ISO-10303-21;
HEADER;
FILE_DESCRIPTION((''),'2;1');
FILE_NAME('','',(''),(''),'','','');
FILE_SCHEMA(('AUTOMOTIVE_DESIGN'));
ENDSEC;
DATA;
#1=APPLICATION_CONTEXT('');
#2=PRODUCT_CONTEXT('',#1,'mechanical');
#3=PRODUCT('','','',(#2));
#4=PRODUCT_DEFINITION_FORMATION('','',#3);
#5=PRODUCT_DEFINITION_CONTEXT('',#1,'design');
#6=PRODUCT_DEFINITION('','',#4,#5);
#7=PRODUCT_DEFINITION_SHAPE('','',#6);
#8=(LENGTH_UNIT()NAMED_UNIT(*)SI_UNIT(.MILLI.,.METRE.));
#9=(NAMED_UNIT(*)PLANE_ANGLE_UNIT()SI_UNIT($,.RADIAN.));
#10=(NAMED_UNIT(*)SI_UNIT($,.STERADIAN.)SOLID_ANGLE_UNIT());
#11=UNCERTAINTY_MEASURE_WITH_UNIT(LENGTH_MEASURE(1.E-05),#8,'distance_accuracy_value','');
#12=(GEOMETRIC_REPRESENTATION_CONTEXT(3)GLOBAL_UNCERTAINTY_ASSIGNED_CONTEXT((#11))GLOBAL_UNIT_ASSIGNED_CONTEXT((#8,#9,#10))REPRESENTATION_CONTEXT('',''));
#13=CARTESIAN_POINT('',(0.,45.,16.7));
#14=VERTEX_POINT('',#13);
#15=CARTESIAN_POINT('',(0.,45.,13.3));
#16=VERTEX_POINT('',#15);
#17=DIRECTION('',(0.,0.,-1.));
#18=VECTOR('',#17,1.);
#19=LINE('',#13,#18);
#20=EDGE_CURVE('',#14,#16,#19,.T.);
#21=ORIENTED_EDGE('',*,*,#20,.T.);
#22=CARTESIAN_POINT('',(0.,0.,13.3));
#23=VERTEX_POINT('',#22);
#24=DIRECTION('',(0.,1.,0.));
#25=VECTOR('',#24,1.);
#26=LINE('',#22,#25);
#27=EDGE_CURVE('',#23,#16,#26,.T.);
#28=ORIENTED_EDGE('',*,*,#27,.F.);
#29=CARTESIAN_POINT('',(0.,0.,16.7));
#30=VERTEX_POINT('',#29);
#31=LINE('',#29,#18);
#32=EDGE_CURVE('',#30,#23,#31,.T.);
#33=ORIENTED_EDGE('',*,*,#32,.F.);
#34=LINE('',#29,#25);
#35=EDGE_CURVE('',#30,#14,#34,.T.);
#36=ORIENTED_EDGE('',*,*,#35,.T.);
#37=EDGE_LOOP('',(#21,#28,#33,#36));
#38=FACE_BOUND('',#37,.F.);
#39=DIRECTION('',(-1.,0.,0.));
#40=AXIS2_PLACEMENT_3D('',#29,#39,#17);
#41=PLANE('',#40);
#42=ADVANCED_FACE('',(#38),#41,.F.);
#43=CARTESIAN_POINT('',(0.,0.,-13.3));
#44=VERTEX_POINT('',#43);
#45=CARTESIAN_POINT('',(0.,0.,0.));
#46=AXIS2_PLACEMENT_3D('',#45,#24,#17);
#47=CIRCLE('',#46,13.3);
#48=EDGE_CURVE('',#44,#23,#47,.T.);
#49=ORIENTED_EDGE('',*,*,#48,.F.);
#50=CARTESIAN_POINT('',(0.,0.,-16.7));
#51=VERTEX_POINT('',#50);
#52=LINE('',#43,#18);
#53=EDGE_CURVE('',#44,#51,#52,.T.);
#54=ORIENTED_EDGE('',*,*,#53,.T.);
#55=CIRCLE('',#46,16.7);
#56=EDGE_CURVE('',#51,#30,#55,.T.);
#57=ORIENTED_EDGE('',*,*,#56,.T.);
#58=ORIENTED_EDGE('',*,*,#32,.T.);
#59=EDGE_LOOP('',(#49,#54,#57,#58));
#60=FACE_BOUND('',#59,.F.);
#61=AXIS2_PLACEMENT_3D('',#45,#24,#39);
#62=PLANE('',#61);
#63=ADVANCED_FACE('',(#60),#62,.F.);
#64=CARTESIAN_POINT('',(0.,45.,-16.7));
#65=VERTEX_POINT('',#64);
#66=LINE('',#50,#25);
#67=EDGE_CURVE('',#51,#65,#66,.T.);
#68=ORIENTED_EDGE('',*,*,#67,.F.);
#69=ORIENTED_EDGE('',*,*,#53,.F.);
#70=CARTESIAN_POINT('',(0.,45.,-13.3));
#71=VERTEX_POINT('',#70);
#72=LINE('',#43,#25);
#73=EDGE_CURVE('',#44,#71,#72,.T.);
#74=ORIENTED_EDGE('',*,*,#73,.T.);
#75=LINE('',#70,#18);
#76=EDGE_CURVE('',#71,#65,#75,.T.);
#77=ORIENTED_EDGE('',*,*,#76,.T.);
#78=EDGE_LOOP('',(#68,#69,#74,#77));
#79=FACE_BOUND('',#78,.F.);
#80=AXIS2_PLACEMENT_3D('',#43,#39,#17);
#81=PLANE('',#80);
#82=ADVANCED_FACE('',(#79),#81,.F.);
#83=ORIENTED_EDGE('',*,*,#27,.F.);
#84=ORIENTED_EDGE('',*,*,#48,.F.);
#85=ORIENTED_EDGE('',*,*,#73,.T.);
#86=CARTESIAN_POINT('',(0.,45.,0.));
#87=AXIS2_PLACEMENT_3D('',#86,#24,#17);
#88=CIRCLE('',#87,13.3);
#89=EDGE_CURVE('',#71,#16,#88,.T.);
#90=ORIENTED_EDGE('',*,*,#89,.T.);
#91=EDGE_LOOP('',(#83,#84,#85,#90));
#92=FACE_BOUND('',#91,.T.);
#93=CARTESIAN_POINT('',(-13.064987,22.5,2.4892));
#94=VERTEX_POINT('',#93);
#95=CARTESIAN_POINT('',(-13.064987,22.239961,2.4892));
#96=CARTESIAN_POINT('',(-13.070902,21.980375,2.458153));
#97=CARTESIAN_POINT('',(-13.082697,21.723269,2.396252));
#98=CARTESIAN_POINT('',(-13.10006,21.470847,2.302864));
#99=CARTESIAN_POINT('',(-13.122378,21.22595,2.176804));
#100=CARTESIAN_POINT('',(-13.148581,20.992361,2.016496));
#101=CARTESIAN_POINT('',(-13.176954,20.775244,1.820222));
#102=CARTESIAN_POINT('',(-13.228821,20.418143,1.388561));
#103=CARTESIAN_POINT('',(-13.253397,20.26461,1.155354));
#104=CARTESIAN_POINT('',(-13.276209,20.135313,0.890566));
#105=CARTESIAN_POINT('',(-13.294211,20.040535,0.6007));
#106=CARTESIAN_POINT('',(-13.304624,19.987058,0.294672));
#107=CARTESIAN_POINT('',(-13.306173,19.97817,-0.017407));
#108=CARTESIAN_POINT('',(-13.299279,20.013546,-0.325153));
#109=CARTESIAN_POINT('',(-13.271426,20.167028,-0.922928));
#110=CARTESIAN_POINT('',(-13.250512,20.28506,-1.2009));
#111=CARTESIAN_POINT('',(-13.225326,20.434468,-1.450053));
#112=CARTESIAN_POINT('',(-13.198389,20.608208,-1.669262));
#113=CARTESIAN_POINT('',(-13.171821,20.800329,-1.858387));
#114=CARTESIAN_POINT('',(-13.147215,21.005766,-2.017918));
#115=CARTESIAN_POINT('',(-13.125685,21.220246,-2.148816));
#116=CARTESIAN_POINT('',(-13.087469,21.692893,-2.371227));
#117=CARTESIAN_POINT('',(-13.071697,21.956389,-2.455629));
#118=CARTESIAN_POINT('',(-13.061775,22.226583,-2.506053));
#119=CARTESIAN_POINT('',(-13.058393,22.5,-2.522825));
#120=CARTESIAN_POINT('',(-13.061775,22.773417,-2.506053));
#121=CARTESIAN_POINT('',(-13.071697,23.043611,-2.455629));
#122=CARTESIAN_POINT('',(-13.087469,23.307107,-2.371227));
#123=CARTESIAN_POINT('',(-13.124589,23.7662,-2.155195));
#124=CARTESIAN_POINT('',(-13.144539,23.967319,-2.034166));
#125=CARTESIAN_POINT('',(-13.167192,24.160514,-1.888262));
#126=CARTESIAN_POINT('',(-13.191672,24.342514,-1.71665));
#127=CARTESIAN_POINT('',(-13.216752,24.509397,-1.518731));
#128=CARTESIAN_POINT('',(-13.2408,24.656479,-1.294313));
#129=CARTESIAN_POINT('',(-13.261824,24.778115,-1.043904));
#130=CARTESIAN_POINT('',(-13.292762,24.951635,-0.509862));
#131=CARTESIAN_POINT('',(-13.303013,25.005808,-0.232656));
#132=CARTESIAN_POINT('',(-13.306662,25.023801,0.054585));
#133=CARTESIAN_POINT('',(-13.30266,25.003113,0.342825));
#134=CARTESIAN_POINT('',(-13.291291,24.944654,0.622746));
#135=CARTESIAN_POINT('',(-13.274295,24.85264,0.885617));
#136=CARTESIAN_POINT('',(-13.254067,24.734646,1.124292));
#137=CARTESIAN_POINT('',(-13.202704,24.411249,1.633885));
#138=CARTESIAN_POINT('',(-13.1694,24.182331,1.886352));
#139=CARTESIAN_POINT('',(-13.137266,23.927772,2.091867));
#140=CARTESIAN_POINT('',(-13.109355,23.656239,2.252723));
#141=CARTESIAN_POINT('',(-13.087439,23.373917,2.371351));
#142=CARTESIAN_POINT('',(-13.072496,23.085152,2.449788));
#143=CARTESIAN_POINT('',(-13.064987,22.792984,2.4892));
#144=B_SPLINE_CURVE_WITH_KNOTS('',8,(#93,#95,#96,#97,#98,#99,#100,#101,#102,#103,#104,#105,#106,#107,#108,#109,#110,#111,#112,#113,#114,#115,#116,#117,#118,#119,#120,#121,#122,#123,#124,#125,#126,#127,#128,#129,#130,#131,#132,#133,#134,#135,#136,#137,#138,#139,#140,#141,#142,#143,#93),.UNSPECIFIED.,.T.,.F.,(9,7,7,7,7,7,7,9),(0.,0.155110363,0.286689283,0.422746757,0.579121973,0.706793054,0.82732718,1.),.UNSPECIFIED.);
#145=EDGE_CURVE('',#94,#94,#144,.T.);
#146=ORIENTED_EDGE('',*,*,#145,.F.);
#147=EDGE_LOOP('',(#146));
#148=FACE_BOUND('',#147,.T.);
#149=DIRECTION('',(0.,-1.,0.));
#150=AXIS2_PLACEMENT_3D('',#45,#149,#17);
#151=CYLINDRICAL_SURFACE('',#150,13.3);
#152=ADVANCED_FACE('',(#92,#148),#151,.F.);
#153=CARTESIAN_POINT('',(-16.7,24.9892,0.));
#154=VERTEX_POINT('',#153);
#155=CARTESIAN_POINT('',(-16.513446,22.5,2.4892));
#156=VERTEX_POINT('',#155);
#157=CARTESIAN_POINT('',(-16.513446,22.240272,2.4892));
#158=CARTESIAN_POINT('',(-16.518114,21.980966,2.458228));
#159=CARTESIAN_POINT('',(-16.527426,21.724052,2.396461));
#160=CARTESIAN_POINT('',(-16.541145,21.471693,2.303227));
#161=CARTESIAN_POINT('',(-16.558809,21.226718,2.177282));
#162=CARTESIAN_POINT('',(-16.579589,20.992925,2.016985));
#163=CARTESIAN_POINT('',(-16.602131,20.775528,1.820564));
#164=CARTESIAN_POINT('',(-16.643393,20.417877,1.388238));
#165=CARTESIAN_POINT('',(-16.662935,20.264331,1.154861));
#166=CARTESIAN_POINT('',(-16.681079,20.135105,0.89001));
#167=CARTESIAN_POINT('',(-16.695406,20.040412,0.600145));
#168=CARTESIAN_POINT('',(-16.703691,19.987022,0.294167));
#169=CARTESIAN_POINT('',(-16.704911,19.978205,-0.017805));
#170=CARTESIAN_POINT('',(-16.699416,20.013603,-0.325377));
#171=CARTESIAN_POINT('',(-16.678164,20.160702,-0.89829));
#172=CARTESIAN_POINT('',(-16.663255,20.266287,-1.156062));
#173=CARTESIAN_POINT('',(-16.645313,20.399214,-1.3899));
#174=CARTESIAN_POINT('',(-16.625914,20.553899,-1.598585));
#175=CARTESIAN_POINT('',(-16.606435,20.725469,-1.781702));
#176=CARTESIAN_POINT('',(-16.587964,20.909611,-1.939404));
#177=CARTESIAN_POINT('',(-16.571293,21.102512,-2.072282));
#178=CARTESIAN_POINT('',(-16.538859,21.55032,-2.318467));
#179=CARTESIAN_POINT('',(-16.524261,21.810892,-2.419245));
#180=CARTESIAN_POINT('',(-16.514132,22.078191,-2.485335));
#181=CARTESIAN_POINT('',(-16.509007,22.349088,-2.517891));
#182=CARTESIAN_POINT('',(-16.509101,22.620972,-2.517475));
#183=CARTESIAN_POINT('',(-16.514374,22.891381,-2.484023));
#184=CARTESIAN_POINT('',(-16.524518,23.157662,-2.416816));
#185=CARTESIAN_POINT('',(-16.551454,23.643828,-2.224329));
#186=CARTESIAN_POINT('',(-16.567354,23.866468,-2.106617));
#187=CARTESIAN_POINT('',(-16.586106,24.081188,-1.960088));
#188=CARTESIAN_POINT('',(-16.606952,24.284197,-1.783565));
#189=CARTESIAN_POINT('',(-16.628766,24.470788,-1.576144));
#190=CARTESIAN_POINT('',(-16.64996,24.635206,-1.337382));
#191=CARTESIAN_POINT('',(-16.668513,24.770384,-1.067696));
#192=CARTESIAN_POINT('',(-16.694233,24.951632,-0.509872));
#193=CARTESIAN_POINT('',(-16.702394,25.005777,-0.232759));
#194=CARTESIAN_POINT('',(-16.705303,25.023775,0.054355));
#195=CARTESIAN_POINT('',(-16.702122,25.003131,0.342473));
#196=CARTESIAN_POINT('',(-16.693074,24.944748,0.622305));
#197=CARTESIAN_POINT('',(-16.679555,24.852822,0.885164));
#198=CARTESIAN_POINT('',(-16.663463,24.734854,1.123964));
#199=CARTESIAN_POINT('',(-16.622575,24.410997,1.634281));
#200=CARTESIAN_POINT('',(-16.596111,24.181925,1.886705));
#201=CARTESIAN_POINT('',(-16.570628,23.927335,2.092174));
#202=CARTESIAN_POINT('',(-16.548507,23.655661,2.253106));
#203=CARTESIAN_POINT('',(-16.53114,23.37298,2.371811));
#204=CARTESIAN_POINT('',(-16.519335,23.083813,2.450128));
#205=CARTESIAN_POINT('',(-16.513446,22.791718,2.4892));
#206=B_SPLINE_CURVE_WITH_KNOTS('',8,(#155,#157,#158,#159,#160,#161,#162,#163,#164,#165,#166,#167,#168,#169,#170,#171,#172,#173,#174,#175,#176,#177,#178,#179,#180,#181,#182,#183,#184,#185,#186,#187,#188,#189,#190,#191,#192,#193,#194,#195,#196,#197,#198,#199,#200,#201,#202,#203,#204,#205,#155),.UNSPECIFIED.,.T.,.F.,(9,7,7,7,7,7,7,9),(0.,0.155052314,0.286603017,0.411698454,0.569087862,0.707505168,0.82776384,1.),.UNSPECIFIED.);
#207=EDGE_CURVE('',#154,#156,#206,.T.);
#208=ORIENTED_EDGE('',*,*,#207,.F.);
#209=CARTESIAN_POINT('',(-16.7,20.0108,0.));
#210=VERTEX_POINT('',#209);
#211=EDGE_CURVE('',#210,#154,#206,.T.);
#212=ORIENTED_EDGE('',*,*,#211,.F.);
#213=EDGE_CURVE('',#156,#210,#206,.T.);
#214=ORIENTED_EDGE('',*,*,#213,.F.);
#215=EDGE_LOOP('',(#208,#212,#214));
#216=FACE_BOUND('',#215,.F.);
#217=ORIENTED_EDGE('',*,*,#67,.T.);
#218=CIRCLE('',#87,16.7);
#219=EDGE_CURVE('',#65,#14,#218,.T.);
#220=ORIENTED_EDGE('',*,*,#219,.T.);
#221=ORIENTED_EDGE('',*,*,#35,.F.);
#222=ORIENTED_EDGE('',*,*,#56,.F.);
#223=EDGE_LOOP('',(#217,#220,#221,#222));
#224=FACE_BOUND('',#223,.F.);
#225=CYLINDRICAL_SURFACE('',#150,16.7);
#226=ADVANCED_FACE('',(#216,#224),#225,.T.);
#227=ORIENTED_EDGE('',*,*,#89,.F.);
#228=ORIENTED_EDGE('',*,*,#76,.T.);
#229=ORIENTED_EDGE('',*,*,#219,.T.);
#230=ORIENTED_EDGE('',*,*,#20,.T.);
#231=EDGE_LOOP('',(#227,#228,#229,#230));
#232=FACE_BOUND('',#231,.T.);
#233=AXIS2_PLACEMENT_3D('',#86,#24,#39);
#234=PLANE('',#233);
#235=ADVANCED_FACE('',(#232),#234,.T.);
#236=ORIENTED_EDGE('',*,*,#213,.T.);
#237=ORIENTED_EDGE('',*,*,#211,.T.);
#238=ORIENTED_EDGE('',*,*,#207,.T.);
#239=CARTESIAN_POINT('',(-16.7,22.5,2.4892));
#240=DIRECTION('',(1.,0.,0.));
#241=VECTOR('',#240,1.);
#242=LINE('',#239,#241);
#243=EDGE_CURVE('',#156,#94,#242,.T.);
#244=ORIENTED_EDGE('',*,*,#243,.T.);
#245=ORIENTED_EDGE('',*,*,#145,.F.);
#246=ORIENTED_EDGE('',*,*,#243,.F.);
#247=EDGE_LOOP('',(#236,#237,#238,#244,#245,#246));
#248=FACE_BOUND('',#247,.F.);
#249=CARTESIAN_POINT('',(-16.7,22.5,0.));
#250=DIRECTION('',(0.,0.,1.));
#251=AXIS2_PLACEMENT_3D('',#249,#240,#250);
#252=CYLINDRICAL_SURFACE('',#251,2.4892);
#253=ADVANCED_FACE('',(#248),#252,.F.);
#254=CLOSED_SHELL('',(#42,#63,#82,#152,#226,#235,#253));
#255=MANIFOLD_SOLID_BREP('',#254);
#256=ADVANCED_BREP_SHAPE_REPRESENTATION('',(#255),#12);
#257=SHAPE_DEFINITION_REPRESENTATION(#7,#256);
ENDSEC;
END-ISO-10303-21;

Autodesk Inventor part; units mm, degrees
ref_plane "YZ Plane" through (0, 0, 0) normal (1, 0, 0) x (0, 1, 0)
ref_plane "XZ Plane" through (0, 0, 0) normal (0, 1, 0) x (-1, 0, 0)
sketch "Sketch1" plane through (0, 0, 0) normal (0, 1, 0) x (-1, 0, 0)
  arc A0 (0, -16.7) -> (0, 16.7) centre (0, 0) ccw
  arc A1 (0, -13.3) -> (0, 13.3) centre (0, 0) ccw
  line L0 (0, 16.7) -> (0, 13.3)
  line L1 (0, -13.3) -> (0, -16.7)
  dimension "d0" = 33.4
  dimension "d1" = 26.6
extrude "Extrusion1" add sketch "Sketch1" along normal blind 45
ref_plane "Work Plane1" through (-16.7, 0, 0) normal (1, 0, 0) x (0, 1, 0)
sketch "Sketch2" plane through (-16.7, 0, 0) normal (1, 0, 0) x (0, 1, 0)
  line L0 (45, -16.7) -> (45, 16.7) projected
  point P0 (0, 0)
  point P1 (22.5, 0)
  dimension "d4" = 22.5
hole "Hole1" at (-16.7, 22.5, 0) direction (1, 0, 0) diameter 4.9784 end through all thread size "1/4-20 UNC" class "2B" standard "ANSI Unified Screw Threads"
properties part number "Half Pipe A53 - DN25-H45" material "Steel, Carbon"
